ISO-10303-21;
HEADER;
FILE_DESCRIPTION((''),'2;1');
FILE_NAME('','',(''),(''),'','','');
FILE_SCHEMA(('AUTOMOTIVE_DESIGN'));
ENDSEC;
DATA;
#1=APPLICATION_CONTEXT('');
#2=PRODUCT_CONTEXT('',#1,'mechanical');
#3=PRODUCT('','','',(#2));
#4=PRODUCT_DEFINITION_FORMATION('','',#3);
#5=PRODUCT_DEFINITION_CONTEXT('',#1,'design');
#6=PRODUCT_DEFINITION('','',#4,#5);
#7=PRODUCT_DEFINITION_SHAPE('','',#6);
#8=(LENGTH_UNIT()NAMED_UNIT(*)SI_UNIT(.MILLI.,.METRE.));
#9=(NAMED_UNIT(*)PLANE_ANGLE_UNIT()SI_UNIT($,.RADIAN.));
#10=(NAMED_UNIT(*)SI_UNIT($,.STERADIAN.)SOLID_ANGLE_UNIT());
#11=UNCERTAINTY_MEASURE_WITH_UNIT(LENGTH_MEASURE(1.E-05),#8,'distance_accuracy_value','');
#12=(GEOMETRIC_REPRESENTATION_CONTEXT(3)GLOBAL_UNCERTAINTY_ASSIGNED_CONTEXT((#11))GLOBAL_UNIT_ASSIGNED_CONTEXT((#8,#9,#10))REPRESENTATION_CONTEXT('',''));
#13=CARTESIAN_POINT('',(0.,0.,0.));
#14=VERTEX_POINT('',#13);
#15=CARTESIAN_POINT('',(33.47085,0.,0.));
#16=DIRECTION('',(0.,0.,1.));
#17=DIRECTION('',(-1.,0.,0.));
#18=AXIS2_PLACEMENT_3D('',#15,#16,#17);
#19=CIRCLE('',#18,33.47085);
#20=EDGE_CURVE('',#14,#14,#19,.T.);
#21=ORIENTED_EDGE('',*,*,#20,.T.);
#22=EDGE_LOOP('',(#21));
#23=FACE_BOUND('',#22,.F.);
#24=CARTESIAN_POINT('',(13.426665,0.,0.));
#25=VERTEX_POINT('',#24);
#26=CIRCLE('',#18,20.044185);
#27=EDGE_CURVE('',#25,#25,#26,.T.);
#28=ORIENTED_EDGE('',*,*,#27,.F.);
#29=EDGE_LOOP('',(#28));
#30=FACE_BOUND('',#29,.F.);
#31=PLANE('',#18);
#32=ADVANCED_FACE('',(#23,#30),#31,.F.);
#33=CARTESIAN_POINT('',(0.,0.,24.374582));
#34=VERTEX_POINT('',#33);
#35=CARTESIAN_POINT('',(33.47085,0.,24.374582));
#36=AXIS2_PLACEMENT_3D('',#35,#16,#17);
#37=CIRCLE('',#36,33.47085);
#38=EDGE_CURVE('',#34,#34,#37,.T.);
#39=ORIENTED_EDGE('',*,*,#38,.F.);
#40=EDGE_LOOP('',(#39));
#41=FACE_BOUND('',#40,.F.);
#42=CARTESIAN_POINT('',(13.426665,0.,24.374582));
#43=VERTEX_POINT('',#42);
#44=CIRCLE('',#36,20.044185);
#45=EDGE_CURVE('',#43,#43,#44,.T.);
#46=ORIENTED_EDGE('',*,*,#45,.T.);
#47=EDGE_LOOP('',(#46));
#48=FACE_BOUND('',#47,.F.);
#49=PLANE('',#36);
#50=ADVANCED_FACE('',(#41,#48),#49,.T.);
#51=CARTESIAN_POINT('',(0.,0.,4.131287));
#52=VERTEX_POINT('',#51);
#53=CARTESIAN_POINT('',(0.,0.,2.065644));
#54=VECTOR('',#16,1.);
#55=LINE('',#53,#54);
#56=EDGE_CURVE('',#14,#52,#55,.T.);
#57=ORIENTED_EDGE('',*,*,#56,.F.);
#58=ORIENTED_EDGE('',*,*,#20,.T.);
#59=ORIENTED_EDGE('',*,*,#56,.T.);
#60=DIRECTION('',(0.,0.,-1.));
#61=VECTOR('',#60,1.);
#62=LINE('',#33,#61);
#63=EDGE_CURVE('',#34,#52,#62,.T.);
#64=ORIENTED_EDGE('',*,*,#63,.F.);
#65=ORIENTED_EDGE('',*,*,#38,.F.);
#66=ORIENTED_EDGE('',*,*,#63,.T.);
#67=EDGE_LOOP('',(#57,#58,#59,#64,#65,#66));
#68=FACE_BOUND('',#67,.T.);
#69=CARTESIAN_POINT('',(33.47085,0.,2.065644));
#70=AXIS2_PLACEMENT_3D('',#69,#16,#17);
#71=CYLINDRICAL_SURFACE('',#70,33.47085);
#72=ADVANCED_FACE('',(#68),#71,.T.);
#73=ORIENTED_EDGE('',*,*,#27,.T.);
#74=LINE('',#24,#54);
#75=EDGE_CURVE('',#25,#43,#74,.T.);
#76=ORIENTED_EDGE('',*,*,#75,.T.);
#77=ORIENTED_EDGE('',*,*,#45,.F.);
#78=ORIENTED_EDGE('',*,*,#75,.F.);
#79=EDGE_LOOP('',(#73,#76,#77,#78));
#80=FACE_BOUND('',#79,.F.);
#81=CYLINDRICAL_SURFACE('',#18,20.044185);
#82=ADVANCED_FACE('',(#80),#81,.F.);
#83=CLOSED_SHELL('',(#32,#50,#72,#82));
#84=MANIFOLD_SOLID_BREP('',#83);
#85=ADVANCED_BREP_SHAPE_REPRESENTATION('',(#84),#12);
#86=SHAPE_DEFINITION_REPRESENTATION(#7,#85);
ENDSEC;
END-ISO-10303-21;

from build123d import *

# Parameters (mm, degrees)
F0_W = 6.7133326083
F0_H = 4.1312873363


with BuildPart() as f1:
    # F0 (on Front) → F1 (revolve)
    with BuildSketch(Plane.XZ):
        with Locations((3.3566663042, 2.0656436682)):
            Rectangle(F0_W, F0_H)
        with BuildLine():
            Line((0, 7.8494437039), (0, 4.1312873363))
            Line((0, 4.1312873363), (6.7133326083, 4.1312873363))
            Line((6.7133326083, 4.1312873363), (6.7133326083, 0))
            Line((6.7133326083, 0), (13.4266652167, 0))
            Line((13.4266652167, 0), (13.4266652167, 24.3745818734))
            Line((13.4266652167, 24.3745818734), (0, 24.3745818734))
            Line((0, 24.3745818734), (0, 21.8958109617))
            ThreePointArc((0, 21.8958109617), (7.0231836289, 14.8726273328), (0, 7.8494437039))
        make_face()
        with BuildLine():
            Line((0, 21.8958109617), (0, 7.8494437039))
            ThreePointArc((0, 7.8494437039), (7.0231836289, 14.8726273328), (0, 21.8958109617))
        make_face()
    revolve(axis=Axis((33.4708504379, 0, 12.1872909367), (0, 0, 1)))


solid = f1.part
